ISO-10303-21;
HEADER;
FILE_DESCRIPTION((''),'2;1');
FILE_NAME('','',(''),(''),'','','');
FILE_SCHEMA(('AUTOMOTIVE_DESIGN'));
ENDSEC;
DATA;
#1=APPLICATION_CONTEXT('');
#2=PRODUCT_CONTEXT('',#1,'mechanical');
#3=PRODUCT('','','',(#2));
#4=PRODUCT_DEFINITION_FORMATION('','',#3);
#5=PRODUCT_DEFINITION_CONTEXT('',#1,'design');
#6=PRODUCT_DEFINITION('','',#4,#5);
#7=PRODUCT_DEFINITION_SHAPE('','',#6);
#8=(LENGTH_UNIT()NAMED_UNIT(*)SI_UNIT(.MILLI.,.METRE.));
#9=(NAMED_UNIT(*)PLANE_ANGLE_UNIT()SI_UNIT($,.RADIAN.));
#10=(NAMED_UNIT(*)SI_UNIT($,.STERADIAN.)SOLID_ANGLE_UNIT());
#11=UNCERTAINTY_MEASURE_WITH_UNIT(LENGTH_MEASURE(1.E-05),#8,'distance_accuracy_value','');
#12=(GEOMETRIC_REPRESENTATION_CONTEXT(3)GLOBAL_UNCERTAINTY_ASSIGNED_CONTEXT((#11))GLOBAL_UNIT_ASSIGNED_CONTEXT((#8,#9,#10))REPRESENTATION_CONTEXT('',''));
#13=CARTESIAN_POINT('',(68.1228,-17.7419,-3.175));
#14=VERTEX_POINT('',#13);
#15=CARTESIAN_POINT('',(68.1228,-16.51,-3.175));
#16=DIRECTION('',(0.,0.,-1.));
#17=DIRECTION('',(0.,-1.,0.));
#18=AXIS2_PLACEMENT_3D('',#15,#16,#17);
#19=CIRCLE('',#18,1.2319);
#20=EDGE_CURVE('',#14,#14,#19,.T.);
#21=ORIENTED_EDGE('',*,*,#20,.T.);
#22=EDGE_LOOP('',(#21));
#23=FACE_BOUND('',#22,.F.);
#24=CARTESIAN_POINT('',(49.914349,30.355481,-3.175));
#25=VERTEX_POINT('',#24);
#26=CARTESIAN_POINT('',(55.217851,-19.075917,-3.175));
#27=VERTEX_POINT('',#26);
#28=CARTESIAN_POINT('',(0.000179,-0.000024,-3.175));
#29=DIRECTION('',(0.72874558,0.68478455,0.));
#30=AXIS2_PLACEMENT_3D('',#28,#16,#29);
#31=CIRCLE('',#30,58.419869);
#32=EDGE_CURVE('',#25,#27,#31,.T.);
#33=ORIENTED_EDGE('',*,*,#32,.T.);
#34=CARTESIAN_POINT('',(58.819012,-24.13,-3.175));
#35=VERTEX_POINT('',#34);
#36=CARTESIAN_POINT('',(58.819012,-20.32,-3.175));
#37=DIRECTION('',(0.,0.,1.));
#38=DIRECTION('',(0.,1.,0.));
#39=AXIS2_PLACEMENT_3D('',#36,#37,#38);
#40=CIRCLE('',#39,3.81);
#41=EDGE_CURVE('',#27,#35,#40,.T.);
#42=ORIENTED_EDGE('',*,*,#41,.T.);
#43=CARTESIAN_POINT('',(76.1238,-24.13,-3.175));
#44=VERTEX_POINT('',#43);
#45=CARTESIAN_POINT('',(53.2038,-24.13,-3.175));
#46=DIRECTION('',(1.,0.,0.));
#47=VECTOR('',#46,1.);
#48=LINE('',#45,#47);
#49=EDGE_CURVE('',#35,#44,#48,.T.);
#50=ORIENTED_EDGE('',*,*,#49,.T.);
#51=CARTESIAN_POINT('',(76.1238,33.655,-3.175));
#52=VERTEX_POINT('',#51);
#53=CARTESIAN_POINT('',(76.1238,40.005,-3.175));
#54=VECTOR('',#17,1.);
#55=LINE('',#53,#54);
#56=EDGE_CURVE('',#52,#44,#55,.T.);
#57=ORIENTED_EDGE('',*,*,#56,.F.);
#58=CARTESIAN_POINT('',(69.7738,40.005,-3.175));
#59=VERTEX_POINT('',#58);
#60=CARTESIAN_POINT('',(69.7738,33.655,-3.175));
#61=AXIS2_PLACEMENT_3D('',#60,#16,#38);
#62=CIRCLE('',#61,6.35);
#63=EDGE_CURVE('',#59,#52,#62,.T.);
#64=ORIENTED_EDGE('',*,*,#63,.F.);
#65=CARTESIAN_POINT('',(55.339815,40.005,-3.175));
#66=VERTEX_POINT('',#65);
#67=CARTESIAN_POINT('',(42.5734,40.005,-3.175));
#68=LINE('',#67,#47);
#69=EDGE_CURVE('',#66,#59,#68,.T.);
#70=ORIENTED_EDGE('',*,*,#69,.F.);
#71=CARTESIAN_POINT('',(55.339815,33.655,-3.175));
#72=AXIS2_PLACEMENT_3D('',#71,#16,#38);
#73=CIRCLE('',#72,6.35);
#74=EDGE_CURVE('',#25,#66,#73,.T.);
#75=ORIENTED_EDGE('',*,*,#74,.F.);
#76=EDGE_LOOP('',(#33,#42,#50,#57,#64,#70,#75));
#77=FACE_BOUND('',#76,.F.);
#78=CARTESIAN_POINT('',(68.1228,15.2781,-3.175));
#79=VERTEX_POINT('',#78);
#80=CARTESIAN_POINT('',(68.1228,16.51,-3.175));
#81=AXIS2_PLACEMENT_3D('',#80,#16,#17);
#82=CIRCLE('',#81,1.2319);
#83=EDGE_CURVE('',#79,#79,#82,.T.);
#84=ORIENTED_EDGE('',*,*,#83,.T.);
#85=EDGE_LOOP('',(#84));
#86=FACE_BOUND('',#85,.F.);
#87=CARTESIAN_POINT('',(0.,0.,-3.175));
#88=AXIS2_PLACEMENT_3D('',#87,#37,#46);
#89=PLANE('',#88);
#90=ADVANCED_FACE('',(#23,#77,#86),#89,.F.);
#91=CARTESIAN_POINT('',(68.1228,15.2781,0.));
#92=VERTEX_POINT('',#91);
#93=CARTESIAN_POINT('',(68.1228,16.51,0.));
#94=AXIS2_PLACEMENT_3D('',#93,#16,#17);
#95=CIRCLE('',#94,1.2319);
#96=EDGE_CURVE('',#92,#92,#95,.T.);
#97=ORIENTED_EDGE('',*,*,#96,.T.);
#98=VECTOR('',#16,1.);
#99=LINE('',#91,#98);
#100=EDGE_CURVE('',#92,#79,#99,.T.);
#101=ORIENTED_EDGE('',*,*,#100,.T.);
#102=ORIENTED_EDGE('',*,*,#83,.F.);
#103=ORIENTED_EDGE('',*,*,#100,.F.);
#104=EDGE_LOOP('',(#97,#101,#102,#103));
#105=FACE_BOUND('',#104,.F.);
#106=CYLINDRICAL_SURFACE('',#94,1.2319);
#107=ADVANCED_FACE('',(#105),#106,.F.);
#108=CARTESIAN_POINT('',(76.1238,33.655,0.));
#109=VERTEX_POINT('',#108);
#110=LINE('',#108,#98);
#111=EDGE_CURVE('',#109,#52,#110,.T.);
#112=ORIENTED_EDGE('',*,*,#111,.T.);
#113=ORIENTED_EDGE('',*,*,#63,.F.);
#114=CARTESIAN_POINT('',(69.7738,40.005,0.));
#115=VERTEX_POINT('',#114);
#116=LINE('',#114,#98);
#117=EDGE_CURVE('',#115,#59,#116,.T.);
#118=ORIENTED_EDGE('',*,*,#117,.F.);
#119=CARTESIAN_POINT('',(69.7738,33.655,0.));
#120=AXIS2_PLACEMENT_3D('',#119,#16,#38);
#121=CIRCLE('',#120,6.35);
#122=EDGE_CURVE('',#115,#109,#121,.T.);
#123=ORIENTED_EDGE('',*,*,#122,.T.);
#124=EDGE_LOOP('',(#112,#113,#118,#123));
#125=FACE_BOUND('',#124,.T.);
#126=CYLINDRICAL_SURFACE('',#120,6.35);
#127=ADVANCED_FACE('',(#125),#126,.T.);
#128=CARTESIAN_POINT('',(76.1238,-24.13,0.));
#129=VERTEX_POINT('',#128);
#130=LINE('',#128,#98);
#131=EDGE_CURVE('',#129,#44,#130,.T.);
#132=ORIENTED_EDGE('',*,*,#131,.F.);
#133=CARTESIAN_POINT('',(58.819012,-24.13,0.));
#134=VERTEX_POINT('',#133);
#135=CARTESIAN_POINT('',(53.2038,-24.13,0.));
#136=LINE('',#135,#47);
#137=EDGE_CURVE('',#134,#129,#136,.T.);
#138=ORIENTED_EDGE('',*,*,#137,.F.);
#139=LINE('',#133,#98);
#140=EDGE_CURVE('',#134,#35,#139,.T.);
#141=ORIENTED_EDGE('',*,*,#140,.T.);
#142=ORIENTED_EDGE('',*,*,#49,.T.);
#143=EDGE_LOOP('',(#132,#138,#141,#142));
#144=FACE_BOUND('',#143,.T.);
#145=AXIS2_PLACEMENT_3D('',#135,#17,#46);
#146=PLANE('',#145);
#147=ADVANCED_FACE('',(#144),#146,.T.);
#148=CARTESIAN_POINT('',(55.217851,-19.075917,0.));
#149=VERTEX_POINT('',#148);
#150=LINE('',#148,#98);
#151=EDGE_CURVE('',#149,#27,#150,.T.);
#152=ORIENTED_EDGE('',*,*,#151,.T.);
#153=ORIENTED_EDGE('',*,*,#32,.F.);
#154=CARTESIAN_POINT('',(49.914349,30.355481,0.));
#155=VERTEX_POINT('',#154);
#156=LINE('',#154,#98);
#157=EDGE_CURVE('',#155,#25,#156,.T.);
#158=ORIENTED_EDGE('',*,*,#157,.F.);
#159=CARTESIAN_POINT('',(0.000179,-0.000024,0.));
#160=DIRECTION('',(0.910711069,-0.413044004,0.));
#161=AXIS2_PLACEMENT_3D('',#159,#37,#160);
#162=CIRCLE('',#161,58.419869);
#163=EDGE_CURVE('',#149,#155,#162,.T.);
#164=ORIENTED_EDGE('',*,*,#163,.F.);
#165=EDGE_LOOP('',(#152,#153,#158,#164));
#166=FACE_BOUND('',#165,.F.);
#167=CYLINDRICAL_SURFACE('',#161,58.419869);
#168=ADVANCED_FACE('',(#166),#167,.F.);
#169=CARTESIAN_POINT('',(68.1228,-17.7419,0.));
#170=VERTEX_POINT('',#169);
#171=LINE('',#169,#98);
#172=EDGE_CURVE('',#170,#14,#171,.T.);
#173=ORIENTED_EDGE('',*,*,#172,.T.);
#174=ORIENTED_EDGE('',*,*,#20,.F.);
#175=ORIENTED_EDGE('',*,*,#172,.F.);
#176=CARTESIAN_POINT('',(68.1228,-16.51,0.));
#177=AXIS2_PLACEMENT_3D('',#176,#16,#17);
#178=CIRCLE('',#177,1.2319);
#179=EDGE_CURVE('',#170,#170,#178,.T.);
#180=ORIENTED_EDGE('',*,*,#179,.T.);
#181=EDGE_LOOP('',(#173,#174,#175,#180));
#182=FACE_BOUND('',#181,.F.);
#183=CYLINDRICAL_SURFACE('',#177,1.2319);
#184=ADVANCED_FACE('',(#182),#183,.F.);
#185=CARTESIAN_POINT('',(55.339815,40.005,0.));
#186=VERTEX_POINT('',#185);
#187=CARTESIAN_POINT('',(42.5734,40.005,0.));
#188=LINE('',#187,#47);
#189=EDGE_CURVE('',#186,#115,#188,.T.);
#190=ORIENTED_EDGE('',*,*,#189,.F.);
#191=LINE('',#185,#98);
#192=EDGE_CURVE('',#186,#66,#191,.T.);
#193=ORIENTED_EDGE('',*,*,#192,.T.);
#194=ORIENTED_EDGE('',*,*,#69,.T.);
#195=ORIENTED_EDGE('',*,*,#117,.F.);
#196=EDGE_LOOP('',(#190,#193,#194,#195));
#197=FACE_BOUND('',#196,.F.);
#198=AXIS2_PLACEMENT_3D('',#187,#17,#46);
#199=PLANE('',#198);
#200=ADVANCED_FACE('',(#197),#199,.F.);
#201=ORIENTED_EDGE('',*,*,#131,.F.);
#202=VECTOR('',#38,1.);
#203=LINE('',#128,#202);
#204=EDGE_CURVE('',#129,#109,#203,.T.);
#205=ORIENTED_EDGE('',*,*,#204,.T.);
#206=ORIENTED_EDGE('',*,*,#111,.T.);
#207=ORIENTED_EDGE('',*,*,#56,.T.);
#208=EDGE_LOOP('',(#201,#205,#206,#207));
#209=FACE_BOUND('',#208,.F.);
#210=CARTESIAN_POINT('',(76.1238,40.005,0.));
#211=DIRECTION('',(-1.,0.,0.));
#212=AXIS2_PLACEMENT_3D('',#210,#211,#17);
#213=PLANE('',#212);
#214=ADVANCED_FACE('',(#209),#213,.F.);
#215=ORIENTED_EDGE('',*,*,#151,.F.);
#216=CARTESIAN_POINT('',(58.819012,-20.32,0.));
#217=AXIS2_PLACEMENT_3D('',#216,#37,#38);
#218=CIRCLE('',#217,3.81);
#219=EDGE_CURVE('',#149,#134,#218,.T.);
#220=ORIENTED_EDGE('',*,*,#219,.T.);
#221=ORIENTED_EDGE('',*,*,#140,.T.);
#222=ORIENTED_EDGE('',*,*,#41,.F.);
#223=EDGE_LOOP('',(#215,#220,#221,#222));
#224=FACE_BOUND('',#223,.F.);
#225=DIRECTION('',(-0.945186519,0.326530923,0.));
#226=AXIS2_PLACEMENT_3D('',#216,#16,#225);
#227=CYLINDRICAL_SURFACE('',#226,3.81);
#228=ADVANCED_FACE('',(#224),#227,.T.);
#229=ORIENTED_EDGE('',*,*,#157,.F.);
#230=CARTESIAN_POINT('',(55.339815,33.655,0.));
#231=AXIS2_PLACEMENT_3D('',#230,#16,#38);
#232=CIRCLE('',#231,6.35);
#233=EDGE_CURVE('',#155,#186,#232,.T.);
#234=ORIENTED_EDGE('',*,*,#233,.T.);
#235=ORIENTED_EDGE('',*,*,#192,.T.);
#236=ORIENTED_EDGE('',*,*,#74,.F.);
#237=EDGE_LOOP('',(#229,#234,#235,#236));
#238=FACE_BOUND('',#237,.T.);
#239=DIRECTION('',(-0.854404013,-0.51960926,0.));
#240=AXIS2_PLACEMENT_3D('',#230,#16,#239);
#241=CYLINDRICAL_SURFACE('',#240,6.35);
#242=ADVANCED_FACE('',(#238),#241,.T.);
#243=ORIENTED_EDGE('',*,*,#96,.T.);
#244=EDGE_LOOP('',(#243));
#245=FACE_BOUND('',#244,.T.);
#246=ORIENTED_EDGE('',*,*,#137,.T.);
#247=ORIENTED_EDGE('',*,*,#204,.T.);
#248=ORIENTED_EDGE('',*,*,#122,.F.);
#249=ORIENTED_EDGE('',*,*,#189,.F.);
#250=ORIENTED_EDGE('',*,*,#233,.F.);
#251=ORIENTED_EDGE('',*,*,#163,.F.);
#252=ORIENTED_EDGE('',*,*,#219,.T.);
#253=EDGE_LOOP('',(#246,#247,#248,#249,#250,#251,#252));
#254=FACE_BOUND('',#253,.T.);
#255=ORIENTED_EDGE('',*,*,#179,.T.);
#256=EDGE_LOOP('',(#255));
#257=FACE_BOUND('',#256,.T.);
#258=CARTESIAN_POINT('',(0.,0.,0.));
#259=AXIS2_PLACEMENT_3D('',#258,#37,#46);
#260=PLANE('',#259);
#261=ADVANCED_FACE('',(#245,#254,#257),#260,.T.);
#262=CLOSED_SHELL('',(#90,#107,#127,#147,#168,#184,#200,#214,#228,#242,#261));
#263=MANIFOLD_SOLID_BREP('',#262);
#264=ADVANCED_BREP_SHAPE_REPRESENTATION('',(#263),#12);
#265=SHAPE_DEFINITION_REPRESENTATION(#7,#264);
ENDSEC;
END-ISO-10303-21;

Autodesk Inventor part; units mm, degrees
ref_plane "YZ Plane" through (0, 0, 0) normal (1, 0, 0) x (0, 1, 0)
ref_plane "XZ Plane" through (0, 0, 0) normal (0, 1, 0) x (-1, 0, 0)
ref_plane "XY Plane" through (0, 0, 0) normal (0, 0, 1) x (1, 0, 0)
sketch "Sketch1" plane through (0, 0, 0) normal (0, 0, 1) x (1, 0, 0)
  line L0 (0, 54.7703) -> (0, -37.28) projected
  line L1 (-15.2248, 0) -> (91.3486, 0) projected
  arc A0 (53.2038, -24.13) -> (42.5734, 40.005) centre (0, 0) ccw
  line L2 (42.5734, 40.005) -> (76.1238, 40.005)
  line L3 (76.1238, 40.005) -> (76.1238, -24.13)
  line L4 (53.2038, -24.13) -> (76.1238, -24.13)
  point P0 (68.1228, 16.51)
  point P1 (68.1228, 0)
  point P2 (68.1228, -16.51)
  dimension "d0" = 58.42
  dimension "d1" = 40.005
  dimension "d2" = 24.13
  dimension "d69" = 76.1238
  dimension "d133" = 8.001
  dimension "d134" = 16.51
  dimension "d135" = 16.51
  dimension "d145" = 33.5504
  dimension "d146" = 64.135
extrude "Extrusion1" add sketch "Sketch1" against normal blind 3.175
hole "Hole6" at (68.1228, 16.51, 0) at (68.1228, -16.51, 0) direction (0, 0, -1) diameter 2.4638 end through all
fillet "Fillet11" radius 3.81 1 edges at (53.2038, -24.13, -1.5875)
fillet "Fillet12" radius 6.35 2 edges at (76.1238, 40.005, -1.5875) (42.5734, 40.005, -1.5875)
properties part number "J005357" material "STEEL, LOW CARBON (1008/1018/1020)"
